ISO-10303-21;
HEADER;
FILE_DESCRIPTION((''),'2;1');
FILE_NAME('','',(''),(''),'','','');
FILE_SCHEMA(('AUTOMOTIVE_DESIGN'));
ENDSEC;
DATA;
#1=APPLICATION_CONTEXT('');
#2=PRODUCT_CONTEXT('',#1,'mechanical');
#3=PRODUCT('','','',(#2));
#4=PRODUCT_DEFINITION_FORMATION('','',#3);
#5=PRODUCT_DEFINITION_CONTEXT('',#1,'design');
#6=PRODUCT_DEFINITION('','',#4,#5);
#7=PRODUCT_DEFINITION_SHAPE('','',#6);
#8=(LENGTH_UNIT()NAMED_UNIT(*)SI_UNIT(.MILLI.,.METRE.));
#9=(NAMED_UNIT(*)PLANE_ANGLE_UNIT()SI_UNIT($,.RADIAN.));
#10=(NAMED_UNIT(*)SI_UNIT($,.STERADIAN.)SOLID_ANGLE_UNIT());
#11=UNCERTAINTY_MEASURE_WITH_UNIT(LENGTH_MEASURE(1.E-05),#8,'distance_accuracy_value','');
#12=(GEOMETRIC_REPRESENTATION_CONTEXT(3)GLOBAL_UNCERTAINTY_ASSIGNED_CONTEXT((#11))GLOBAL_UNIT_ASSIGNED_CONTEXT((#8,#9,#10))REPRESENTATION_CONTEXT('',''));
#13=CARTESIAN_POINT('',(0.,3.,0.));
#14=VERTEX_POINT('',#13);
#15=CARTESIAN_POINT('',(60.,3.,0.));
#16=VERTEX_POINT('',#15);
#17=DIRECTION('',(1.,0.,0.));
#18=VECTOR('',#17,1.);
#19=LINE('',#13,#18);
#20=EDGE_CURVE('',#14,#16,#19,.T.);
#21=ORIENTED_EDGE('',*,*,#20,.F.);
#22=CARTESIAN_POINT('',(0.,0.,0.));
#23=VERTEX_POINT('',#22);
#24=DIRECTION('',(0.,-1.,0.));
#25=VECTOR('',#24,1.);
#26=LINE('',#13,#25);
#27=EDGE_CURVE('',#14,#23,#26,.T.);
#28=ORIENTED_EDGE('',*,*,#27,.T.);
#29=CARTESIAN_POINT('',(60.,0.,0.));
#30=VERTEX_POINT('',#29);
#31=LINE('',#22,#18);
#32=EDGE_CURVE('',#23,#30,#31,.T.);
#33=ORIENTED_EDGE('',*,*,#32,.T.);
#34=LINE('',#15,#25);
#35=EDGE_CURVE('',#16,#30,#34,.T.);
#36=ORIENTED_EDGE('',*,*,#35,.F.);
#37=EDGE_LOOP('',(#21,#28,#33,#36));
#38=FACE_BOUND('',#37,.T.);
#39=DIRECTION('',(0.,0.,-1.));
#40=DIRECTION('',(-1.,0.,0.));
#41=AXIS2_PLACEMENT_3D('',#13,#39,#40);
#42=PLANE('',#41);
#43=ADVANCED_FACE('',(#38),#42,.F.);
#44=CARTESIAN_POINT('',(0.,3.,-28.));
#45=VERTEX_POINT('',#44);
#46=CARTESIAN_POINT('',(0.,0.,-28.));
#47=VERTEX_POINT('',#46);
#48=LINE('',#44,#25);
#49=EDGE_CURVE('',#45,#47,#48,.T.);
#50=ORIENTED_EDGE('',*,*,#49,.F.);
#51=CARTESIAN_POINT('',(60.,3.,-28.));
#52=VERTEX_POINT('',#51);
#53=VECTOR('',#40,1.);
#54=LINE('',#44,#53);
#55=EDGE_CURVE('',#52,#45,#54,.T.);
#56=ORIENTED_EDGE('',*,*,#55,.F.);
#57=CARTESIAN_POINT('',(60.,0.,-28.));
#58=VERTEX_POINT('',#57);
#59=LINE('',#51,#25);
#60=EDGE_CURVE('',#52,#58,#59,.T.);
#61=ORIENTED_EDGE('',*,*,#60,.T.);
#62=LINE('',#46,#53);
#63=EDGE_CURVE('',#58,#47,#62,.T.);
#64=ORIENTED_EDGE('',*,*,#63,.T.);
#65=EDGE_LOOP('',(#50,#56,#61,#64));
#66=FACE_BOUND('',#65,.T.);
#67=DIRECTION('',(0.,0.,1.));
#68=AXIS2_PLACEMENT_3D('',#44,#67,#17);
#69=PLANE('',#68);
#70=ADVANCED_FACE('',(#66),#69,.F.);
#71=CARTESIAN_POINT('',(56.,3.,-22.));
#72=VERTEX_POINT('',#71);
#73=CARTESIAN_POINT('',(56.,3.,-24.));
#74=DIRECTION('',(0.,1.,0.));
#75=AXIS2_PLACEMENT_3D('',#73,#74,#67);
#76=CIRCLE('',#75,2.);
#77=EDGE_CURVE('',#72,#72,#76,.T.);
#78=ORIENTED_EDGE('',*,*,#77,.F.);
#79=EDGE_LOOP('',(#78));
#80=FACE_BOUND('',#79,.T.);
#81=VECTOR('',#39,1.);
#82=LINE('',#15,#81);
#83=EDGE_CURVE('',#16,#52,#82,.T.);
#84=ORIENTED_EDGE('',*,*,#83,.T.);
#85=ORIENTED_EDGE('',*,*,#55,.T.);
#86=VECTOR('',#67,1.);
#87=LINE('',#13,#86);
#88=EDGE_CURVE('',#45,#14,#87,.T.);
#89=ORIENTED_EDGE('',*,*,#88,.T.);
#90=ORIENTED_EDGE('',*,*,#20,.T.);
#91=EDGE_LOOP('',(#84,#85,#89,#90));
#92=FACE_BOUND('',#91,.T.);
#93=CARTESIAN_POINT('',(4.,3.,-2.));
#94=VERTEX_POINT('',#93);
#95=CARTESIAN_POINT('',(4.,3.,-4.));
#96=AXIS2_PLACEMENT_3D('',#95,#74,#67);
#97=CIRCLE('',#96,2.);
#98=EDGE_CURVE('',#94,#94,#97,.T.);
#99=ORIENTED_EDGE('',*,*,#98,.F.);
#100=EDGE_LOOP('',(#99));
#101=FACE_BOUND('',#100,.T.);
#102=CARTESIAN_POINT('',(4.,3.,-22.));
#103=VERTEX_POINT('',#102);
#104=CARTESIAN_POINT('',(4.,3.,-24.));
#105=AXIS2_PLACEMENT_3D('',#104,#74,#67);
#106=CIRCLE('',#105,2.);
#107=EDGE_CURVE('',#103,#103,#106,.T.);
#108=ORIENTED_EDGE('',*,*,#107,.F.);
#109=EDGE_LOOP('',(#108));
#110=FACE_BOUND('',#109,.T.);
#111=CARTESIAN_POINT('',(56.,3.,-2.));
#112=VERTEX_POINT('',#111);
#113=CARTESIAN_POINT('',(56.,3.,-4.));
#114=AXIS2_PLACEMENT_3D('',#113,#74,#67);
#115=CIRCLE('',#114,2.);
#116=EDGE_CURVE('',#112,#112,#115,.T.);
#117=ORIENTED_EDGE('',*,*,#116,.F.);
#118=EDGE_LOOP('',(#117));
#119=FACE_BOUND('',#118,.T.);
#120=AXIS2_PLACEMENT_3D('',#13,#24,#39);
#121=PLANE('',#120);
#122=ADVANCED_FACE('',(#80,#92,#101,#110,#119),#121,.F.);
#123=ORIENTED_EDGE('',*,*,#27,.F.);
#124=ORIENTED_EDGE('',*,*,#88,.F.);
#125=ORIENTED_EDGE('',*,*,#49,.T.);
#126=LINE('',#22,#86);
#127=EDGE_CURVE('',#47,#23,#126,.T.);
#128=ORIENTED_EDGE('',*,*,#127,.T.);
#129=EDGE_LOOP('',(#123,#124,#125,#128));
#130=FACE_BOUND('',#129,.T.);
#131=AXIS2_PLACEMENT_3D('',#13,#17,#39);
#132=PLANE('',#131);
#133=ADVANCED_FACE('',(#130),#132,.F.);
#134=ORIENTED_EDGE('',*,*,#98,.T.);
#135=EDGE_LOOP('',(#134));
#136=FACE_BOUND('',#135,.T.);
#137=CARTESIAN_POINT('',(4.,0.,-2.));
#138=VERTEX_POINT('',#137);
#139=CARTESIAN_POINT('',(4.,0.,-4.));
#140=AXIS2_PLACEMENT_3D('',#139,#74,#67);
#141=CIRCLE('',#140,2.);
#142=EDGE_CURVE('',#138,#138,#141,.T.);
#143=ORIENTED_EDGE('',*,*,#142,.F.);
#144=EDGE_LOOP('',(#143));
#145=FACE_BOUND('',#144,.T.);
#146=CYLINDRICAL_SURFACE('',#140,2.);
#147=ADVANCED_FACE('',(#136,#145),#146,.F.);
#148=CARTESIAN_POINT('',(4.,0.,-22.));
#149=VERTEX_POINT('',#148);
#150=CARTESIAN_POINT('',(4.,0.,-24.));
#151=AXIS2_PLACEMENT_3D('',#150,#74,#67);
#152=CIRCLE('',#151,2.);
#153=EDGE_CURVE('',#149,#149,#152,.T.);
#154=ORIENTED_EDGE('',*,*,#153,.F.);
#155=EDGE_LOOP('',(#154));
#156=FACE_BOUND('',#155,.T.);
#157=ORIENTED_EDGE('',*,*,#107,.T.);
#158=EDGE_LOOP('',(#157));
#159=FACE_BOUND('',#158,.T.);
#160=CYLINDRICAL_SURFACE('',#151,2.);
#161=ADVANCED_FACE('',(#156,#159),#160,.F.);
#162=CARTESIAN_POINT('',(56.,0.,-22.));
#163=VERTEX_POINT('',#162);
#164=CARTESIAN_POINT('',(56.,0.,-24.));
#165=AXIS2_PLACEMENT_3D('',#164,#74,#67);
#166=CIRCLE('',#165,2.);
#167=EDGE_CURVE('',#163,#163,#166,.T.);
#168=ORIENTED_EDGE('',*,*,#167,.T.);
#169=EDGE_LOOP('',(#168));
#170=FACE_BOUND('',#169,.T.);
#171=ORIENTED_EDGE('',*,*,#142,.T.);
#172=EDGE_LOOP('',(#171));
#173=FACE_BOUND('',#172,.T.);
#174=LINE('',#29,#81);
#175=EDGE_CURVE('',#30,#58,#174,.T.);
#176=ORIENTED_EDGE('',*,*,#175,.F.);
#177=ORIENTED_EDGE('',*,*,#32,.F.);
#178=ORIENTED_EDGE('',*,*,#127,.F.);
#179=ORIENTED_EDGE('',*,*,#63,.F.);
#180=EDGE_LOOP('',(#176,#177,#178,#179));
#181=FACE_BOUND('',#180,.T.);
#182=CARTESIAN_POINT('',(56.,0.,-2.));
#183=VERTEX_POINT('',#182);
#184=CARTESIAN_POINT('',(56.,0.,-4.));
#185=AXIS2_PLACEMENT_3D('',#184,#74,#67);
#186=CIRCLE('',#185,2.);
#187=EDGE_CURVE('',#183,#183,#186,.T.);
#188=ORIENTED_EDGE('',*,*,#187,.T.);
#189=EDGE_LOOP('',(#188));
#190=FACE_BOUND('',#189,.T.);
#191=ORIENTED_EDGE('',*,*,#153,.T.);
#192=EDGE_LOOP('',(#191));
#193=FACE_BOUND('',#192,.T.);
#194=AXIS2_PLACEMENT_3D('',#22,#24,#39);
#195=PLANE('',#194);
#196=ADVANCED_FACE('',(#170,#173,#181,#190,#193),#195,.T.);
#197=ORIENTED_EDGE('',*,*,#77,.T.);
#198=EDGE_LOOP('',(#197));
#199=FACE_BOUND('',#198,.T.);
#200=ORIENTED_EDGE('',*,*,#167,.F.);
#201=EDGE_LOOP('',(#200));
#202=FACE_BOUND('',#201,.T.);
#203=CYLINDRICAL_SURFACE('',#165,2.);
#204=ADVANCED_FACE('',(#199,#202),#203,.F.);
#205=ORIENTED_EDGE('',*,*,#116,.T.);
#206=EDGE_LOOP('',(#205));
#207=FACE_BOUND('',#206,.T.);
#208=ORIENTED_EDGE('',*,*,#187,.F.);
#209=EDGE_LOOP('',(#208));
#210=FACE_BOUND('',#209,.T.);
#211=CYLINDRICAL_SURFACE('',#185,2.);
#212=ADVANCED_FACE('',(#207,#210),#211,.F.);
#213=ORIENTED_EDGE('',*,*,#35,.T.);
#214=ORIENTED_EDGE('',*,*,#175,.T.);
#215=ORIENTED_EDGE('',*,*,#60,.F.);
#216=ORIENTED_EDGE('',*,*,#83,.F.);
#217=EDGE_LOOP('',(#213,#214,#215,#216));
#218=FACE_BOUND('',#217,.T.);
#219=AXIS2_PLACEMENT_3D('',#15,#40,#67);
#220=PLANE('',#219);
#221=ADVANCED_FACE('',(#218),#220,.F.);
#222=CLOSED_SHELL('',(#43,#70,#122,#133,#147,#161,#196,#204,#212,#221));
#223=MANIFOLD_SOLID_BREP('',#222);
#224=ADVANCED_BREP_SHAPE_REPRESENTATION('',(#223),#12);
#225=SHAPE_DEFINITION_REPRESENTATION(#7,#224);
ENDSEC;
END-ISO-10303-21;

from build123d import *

# Parameters (mm, degrees)
SKETCH2_W           = 60
SKETCH2_H           = 28
BOSS_EXTRUDE1_DEPTH = 3
SKETCH3_R           = 2
CUT_EXTRUDE1_DEPTH  = 4


with BuildPart() as part:
    # Sketch2 → Boss-Extrude1 (new body)
    with BuildSketch(Plane(origin=(0, 0, 0), x_dir=(1, 0, 0), z_dir=(0, 1, 0))):
        with Locations((30, 14)):
            Rectangle(SKETCH2_W, SKETCH2_H)
    extrude(amount=BOSS_EXTRUDE1_DEPTH)

    # Sketch3 → Cut-Extrude1 (cut, through all)
    with BuildSketch(Plane(origin=(0, 3, 0), x_dir=(1, 0, 0), z_dir=(0, 1, 0))):
        with Locations((4, 4)):
            Circle(SKETCH3_R)
        with Locations((4, 24)):
            Circle(SKETCH3_R)
        with Locations((56, 24)):
            Circle(SKETCH3_R)
        with Locations((56, 4)):
            Circle(SKETCH3_R)
    extrude(amount=-CUT_EXTRUDE1_DEPTH, mode=Mode.SUBTRACT)


solid = part.part
